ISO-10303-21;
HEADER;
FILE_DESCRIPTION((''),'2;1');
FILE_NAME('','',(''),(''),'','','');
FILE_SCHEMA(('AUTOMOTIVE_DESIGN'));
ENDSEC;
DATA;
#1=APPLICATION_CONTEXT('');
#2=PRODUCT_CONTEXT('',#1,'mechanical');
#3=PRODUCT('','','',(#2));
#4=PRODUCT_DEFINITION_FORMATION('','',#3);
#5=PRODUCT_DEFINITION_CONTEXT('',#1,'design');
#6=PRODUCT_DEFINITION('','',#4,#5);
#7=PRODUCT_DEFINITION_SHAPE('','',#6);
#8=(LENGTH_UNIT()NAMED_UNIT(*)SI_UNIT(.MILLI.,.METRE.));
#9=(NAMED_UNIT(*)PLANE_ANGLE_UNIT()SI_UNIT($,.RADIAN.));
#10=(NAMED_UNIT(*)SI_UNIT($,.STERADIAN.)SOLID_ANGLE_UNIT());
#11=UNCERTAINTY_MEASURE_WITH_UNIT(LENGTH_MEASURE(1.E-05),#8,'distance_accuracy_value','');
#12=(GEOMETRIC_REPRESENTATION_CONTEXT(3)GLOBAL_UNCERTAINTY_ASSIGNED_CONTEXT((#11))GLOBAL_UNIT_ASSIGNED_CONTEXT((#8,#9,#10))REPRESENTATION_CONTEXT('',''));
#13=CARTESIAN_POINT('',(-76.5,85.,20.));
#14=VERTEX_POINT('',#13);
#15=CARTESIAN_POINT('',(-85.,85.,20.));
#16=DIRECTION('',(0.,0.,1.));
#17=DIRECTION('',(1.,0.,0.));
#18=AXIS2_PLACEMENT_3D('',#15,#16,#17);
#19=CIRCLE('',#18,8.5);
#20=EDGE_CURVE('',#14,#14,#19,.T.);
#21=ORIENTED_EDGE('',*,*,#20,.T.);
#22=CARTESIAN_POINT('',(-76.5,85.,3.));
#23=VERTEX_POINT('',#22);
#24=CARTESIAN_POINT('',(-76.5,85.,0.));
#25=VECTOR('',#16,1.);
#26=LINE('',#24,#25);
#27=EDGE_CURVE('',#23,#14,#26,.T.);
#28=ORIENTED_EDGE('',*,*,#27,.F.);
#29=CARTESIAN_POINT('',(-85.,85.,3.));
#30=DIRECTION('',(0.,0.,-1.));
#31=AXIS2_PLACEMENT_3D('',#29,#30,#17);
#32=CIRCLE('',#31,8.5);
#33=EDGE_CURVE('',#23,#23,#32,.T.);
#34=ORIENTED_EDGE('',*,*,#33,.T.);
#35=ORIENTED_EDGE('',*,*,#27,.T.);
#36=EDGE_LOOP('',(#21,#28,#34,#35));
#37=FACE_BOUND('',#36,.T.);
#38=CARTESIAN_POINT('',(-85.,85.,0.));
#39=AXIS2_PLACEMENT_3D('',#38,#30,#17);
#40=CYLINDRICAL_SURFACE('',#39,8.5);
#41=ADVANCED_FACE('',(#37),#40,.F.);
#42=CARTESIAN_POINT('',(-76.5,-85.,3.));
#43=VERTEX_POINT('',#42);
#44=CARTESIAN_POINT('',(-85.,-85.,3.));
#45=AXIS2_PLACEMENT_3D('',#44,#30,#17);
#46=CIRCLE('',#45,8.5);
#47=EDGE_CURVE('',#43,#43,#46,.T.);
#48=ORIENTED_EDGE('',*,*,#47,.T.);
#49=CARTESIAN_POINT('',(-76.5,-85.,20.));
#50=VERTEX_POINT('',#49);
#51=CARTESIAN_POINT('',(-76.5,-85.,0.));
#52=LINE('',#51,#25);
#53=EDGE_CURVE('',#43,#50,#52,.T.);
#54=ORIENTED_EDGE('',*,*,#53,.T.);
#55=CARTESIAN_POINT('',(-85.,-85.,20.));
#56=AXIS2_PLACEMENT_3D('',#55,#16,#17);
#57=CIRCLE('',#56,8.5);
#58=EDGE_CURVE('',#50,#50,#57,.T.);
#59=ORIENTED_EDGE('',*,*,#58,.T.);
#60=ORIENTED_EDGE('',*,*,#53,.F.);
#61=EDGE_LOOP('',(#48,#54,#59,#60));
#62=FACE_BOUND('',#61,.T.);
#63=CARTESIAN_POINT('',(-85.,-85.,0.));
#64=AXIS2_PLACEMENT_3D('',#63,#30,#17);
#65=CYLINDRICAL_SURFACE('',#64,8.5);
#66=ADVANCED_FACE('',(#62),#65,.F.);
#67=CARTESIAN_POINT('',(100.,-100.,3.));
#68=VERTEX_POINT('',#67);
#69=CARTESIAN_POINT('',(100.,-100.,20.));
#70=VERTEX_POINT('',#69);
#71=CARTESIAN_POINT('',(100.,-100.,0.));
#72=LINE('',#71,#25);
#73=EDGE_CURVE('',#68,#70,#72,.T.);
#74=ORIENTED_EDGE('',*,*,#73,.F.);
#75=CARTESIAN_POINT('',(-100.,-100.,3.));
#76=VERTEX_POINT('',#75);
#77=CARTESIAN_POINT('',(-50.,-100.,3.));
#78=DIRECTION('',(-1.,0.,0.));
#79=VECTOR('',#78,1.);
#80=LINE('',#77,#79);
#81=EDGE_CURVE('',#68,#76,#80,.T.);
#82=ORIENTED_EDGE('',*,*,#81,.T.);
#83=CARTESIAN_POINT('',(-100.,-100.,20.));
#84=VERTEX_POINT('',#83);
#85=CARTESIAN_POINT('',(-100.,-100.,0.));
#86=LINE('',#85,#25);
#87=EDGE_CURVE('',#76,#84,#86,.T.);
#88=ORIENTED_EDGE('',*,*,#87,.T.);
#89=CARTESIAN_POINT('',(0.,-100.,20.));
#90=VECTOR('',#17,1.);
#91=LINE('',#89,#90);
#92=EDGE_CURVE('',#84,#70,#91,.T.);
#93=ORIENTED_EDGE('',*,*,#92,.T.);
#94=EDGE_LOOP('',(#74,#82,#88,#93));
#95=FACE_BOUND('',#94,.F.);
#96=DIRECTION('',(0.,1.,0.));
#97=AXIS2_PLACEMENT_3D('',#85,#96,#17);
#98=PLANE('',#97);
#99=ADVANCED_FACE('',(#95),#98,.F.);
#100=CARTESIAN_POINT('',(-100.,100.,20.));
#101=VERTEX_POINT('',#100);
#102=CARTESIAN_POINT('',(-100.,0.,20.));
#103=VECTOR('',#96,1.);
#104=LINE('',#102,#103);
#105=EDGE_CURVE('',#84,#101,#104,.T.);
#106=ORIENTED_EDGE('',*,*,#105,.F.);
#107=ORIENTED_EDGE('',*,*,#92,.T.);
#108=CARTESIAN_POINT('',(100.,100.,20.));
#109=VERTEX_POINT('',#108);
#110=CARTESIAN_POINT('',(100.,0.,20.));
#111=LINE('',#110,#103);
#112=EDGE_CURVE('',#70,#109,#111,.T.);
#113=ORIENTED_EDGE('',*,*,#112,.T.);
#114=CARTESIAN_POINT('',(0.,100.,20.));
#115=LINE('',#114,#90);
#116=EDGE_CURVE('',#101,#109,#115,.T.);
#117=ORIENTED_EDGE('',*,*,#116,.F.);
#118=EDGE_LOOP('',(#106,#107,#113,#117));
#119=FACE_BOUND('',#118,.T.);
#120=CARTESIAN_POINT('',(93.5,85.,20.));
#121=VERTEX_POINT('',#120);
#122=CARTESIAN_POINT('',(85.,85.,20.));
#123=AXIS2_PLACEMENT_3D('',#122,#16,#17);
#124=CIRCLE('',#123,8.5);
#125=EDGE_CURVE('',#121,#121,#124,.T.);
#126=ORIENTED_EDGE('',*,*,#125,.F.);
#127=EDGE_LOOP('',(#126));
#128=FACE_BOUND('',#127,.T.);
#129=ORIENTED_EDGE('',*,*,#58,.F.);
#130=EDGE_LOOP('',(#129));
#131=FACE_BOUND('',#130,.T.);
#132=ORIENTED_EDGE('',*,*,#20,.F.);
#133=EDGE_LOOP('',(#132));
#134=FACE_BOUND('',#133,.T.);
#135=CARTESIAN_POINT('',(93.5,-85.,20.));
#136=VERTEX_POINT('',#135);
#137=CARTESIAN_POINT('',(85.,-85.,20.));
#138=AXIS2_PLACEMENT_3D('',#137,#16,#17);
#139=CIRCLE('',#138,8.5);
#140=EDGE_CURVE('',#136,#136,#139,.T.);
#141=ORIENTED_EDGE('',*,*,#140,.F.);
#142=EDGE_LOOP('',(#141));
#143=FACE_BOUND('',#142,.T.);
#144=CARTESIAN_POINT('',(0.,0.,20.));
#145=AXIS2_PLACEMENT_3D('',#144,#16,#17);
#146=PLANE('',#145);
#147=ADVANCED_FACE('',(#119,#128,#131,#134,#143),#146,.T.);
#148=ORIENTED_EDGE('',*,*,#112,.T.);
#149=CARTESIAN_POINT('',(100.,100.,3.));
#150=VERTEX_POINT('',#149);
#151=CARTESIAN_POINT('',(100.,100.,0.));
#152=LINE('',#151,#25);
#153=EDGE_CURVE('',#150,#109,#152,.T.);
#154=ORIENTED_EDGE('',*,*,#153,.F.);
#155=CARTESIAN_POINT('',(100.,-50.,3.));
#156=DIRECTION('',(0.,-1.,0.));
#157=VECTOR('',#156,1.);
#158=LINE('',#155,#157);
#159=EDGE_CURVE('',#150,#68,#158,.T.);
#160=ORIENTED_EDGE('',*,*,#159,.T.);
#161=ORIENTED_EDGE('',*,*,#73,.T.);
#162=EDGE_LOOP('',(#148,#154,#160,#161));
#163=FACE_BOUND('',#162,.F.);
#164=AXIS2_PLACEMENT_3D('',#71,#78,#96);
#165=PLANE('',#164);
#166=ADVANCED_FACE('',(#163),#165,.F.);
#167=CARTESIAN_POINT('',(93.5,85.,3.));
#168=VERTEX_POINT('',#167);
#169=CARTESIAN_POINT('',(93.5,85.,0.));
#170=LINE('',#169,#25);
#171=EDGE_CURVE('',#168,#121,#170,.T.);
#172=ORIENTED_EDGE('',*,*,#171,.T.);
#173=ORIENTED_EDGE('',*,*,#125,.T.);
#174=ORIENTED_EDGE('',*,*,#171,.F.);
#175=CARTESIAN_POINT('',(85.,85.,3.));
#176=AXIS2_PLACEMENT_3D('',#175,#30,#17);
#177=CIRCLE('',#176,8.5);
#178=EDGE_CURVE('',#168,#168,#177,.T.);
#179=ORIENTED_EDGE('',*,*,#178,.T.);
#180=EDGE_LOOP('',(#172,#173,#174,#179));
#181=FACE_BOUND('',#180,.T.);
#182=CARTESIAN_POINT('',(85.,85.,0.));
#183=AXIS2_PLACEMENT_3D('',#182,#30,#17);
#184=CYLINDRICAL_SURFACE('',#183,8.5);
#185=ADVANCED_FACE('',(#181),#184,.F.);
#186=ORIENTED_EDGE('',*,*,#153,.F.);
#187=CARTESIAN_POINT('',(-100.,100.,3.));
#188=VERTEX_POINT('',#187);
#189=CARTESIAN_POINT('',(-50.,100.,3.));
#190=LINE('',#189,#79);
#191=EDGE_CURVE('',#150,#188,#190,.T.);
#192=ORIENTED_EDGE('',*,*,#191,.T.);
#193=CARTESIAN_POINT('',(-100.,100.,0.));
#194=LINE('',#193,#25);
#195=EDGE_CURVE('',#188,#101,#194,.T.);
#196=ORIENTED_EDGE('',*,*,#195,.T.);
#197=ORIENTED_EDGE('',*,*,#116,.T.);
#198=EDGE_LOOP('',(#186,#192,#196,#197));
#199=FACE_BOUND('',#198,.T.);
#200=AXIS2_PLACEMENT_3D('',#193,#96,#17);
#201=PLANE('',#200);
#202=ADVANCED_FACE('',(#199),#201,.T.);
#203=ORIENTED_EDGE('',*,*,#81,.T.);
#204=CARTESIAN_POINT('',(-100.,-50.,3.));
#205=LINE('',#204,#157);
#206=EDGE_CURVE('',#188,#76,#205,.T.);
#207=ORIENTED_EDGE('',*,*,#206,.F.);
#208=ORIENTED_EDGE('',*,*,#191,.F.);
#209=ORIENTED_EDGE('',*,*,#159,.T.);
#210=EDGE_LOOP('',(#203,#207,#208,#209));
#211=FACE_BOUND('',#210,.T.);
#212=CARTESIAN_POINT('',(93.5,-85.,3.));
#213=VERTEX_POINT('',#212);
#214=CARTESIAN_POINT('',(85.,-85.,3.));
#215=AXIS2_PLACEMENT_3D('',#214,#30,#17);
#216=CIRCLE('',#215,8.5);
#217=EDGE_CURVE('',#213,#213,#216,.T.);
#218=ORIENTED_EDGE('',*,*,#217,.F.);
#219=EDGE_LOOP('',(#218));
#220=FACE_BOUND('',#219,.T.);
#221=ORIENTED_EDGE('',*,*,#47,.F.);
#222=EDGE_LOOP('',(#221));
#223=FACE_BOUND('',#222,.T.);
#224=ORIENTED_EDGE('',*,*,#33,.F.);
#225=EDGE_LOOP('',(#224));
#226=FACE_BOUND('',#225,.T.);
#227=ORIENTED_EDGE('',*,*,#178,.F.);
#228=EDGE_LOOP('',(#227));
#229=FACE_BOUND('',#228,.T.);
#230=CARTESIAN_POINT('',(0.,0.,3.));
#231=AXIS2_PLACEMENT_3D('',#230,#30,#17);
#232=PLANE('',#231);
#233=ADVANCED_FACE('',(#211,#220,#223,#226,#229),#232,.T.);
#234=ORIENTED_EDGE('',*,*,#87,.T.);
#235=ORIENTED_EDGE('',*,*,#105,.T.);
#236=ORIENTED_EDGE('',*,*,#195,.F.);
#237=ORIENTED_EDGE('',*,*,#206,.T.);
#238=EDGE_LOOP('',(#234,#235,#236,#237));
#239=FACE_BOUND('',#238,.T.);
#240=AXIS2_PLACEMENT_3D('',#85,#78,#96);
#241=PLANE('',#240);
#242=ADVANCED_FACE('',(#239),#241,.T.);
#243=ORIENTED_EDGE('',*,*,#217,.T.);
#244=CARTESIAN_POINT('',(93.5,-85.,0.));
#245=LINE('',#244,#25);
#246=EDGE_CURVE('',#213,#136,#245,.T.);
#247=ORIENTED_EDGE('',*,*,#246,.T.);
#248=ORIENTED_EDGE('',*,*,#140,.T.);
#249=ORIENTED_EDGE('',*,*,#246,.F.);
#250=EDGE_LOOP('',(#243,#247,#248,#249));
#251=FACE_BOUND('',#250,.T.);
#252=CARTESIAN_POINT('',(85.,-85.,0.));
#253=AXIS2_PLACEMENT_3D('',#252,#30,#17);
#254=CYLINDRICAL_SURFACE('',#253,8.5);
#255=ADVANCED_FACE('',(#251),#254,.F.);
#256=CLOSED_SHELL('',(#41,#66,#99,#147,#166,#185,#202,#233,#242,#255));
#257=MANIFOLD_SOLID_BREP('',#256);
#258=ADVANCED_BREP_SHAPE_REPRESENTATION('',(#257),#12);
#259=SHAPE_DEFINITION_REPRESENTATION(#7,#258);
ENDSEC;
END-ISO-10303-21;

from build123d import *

# Parameters (mm, degrees)
F0_W     = 200
F0_H     = 200
F0_R     = 8.5
F1_DEPTH = 20
F2_W     = 265.768706
F2_H     = 235.001818
F3_DEPTH = 3


with BuildPart() as f1:
    # F0 (on Top) → F1 (new body)
    with BuildSketch(Plane.XY):
        Rectangle(F0_W, F0_H)
        with Locations((-85, -85)):
            Circle(F0_R, mode=Mode.SUBTRACT)
        with Locations((85, -85)):
            Circle(F0_R, mode=Mode.SUBTRACT)
        with Locations((-85, 85)):
            Circle(F0_R, mode=Mode.SUBTRACT)
        with Locations((85, 85)):
            Circle(F0_R, mode=Mode.SUBTRACT)
    extrude(amount=F1_DEPTH)

    # F2 (on face) → F3 (cut)
    with BuildSketch(Plane(origin=(0, 0, 0), x_dir=(1, 0, 0), z_dir=(0, 0, -1))):
        Rectangle(F2_W, F2_H)
    extrude(amount=-F3_DEPTH, mode=Mode.SUBTRACT)


solid = f1.part
